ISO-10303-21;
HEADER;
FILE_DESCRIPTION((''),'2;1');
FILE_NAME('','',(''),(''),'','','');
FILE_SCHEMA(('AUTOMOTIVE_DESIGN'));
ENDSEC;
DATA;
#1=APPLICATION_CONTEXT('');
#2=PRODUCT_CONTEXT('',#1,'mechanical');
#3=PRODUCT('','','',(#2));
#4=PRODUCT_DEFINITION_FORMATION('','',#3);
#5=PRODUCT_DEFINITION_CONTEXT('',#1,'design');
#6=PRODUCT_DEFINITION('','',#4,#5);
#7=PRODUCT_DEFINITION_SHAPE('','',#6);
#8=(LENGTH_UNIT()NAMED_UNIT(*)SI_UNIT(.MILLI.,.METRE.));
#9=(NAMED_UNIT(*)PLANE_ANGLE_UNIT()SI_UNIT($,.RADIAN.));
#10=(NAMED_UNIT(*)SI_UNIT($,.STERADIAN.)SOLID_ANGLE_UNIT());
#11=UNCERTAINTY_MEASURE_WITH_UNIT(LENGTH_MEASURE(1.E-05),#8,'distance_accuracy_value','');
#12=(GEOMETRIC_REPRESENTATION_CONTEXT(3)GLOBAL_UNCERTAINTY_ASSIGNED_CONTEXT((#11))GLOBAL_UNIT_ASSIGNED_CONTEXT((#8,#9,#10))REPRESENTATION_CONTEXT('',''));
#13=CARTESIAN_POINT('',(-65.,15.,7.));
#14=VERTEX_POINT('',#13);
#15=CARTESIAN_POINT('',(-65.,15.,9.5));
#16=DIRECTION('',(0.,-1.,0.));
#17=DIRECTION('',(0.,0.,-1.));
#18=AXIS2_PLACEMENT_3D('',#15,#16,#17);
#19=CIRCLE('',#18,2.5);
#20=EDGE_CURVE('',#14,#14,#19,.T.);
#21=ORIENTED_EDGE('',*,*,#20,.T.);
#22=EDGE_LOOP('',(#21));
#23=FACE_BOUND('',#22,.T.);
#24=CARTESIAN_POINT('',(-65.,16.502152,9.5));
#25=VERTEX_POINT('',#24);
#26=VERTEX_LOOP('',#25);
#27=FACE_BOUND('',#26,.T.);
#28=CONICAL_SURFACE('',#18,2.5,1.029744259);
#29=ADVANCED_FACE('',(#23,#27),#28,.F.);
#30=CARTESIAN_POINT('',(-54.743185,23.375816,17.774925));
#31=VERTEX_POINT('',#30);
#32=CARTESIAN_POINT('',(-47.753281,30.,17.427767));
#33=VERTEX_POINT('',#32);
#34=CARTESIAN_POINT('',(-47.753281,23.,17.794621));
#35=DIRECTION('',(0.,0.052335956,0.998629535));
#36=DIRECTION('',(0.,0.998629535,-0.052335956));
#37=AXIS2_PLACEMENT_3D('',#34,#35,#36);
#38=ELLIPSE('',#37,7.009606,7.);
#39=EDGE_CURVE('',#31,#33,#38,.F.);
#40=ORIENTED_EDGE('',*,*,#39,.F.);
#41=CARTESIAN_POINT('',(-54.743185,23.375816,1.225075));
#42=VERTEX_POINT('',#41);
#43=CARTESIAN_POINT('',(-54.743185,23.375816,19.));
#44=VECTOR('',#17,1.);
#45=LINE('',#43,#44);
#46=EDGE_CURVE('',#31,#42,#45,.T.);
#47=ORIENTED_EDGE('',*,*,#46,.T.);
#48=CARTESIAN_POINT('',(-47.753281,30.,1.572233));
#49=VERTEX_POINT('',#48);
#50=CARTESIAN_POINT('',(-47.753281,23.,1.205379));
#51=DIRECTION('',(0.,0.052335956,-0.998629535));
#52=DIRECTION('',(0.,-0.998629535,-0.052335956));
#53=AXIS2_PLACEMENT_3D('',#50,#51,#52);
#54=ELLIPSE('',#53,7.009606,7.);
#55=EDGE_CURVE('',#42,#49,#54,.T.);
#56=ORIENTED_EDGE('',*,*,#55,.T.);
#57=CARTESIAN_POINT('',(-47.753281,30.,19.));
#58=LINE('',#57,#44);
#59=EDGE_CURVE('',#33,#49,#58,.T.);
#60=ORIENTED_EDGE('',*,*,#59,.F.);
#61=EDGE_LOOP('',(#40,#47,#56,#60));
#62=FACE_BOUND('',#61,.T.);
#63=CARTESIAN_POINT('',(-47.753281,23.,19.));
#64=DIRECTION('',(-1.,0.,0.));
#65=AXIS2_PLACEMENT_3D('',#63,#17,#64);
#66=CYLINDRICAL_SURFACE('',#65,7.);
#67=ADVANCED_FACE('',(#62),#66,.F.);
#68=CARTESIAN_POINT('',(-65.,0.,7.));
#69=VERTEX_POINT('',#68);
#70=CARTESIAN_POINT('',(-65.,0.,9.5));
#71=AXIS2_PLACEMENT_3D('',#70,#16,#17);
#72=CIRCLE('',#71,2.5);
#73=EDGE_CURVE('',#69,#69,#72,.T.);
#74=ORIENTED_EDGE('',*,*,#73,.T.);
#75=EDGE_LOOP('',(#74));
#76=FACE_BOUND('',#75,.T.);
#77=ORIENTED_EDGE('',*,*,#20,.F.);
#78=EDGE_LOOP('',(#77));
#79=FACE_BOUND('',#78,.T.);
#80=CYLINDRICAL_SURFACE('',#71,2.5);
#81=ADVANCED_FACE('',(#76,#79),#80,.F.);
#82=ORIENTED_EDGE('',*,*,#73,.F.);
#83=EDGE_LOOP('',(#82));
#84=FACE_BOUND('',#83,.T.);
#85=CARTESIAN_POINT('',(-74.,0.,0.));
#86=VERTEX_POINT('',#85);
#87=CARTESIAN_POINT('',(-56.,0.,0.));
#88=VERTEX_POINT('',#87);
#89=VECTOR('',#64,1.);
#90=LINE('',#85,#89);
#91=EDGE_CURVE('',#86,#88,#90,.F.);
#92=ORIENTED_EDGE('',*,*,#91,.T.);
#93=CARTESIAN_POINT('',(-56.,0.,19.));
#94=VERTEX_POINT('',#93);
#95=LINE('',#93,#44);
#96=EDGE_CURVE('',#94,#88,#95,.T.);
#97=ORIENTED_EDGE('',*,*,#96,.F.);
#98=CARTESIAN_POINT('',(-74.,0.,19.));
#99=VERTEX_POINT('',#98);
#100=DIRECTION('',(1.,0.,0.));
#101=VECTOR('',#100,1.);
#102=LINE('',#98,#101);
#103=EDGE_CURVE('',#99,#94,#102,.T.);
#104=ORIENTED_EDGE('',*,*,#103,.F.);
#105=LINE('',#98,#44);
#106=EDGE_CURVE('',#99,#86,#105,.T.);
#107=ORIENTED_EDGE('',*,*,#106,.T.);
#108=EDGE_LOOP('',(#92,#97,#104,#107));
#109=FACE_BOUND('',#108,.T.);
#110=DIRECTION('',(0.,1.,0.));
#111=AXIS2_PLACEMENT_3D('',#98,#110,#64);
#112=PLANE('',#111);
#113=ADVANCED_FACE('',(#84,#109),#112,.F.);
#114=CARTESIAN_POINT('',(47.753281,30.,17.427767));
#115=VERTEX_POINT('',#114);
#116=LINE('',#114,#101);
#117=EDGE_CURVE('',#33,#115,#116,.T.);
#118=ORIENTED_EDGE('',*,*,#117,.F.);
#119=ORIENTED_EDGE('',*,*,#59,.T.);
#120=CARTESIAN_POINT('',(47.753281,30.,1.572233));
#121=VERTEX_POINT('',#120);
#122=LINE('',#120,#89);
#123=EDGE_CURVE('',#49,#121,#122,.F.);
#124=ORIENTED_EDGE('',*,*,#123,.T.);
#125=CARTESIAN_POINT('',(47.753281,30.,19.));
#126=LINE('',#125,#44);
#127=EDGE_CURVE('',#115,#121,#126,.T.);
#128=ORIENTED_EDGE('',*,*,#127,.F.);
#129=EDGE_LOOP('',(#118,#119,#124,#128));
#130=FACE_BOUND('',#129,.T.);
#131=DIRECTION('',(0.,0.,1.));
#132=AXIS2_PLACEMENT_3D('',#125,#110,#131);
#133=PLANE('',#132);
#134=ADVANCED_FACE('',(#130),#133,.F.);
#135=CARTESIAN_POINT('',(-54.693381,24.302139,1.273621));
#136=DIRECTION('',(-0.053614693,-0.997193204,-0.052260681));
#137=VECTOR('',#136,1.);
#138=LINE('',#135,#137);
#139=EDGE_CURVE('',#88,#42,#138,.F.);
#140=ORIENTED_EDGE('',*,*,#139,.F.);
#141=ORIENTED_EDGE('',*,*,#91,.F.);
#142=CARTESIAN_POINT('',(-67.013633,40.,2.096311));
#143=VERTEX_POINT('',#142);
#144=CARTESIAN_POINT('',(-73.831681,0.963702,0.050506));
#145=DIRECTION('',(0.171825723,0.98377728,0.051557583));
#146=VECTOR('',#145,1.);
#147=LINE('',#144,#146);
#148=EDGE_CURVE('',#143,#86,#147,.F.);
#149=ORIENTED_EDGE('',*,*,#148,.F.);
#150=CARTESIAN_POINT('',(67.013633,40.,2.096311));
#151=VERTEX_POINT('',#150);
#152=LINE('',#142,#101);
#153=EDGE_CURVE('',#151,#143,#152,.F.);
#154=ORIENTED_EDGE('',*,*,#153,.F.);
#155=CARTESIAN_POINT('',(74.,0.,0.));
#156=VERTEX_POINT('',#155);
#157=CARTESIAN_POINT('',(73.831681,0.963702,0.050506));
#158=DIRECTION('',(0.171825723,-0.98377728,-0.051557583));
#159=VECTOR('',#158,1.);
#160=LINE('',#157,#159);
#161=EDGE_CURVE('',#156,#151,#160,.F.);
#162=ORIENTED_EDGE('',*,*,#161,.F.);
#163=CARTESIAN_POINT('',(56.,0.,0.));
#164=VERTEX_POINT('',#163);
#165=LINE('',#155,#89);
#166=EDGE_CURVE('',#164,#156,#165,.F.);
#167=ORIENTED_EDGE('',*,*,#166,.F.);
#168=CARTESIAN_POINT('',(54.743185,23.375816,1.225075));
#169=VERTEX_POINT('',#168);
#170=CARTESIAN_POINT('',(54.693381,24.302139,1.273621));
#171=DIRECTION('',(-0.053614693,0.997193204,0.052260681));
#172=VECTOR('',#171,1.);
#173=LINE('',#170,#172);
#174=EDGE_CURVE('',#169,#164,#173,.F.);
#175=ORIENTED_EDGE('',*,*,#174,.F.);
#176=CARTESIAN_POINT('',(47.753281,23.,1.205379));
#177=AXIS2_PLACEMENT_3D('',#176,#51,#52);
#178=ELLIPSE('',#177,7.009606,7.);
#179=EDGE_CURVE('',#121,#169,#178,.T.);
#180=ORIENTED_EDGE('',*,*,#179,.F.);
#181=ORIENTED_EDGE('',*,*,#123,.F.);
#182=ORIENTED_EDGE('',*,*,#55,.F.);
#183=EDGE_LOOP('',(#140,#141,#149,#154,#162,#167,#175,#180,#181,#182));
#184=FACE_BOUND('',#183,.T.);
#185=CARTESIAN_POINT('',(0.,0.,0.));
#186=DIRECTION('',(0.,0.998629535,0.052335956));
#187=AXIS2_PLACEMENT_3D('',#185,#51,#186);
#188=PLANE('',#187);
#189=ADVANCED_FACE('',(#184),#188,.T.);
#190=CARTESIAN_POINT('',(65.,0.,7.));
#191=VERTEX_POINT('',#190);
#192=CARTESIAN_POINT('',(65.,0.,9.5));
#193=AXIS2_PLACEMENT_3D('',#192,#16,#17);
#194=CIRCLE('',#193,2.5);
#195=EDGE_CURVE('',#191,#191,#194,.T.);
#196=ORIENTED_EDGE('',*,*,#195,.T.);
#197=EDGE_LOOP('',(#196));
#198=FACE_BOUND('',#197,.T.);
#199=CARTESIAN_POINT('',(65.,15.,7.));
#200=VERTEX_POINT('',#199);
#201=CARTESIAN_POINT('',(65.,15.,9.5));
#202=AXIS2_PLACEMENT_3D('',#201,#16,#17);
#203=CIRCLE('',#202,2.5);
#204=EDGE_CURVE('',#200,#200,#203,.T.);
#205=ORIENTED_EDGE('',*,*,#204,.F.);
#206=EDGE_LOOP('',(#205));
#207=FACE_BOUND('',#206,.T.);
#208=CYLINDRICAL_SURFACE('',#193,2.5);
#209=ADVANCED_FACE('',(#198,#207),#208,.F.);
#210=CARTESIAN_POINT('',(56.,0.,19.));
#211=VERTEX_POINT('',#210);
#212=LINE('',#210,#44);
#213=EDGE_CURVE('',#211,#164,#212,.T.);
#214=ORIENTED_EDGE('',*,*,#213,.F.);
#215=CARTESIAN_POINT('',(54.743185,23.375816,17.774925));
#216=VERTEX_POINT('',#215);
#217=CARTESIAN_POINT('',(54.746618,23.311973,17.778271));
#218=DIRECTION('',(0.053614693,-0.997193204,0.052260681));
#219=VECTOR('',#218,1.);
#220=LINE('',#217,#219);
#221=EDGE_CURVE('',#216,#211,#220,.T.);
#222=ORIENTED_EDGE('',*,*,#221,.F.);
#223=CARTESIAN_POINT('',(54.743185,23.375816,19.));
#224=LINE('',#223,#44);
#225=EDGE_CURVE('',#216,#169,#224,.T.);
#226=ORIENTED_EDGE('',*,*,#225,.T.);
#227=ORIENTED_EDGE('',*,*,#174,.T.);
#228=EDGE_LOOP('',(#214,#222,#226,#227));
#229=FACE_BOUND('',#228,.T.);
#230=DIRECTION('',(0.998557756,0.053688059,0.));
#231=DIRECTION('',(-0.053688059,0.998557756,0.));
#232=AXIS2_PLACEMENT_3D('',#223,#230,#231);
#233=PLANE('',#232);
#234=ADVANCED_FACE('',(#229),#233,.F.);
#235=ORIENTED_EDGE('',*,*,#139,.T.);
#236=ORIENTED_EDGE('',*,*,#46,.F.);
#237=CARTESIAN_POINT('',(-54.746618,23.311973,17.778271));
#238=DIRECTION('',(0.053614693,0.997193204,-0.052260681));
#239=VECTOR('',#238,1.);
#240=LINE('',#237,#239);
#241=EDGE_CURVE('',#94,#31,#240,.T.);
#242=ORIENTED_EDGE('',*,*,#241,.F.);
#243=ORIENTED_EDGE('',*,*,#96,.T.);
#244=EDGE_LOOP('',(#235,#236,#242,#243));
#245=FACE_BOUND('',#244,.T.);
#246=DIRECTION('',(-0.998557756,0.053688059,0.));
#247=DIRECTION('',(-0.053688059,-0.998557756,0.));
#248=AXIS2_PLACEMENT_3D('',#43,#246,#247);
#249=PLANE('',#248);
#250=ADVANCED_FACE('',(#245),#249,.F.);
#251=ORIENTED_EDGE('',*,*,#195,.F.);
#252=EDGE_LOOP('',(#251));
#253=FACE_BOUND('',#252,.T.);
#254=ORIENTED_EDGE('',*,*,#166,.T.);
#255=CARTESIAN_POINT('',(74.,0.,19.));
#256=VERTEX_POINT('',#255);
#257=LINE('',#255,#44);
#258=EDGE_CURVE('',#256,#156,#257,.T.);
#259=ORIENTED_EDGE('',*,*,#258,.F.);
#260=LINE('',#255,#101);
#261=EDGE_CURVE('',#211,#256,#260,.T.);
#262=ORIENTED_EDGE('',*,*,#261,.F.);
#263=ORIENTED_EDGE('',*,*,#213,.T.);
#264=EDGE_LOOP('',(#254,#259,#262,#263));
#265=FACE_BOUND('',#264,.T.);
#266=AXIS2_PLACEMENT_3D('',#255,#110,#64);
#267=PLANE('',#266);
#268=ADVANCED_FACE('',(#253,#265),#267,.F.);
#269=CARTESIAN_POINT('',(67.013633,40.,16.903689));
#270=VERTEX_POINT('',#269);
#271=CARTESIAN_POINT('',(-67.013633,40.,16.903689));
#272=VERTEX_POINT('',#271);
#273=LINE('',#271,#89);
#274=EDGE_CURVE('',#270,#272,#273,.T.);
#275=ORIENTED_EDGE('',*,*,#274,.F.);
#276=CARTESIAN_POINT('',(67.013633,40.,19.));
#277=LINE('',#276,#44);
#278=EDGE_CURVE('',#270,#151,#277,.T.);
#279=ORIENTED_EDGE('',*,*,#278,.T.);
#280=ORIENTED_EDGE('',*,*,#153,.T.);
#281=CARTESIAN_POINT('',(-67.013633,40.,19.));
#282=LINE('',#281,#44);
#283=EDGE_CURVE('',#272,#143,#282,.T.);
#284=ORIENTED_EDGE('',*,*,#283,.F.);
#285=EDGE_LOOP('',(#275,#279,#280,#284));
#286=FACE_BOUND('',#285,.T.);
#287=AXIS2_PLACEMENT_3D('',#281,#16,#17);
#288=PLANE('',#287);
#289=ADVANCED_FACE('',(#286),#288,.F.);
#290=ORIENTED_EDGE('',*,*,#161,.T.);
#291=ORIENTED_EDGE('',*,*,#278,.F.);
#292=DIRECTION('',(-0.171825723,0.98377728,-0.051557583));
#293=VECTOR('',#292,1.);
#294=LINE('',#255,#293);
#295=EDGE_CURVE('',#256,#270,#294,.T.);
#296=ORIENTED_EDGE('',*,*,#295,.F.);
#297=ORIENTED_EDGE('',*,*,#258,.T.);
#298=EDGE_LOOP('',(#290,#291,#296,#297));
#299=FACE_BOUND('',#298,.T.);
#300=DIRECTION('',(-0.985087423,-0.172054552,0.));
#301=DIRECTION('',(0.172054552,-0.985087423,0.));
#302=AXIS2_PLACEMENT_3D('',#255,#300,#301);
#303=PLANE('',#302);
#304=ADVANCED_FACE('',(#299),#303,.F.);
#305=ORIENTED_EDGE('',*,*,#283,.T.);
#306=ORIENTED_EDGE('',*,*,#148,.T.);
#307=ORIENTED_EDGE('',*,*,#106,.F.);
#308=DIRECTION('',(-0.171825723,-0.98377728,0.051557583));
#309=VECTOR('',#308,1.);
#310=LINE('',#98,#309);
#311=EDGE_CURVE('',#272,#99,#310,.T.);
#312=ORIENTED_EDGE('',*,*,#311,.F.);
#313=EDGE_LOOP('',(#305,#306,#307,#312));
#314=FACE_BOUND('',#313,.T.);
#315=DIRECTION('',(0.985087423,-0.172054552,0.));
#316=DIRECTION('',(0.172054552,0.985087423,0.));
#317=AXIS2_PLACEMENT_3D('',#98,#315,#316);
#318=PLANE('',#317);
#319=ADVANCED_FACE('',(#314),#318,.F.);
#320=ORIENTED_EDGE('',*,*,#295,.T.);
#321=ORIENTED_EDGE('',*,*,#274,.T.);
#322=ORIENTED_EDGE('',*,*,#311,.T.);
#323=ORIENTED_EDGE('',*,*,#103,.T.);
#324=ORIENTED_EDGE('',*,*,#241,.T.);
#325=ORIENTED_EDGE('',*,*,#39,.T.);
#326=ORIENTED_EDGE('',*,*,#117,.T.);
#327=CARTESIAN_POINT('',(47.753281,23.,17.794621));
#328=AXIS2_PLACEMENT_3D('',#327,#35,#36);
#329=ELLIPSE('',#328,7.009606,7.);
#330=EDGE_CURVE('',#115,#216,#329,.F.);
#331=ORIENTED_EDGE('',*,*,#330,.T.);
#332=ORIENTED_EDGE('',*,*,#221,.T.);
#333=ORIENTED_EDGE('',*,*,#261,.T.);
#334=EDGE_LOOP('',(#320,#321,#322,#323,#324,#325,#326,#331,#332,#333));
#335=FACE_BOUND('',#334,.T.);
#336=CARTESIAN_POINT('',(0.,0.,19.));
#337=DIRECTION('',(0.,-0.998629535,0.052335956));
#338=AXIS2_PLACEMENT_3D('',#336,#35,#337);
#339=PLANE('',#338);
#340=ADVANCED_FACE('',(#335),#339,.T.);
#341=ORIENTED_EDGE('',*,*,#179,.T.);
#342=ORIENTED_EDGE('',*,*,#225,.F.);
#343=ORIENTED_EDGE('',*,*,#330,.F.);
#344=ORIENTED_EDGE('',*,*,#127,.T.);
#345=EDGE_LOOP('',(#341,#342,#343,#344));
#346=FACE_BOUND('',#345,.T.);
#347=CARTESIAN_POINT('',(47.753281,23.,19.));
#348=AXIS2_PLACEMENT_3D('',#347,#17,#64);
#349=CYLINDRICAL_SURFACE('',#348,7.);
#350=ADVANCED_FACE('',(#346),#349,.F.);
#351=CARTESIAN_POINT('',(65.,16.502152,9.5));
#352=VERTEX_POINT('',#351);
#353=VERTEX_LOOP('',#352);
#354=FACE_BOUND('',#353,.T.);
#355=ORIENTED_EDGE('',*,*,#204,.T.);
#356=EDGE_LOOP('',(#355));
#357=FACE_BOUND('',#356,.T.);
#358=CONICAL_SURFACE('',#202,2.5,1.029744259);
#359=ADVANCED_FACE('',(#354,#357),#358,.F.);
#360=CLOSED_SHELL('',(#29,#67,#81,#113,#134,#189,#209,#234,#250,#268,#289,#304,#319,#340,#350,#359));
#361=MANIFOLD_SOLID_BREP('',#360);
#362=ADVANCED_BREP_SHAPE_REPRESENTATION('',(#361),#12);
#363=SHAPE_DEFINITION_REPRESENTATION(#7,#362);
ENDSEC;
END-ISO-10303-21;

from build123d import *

# Parameters (mm, degrees)
BOSS_EXTRUDE1_DEPTH = 19
DRAFT1_ANGLE        = 3


with BuildPart() as part:
    # Sketch1 → Boss-Extrude1 (new body)
    with BuildSketch(Plane.XY):
        with BuildLine():
            Line((-74, 0), (-67.013633203, 40))
            Line((-67.013633203, 40), (67.013633203, 40))
            Line((67.013633203, 40), (74, 0))
            Line((74, 0), (56, 0))
            Line((56, 0), (54.743185165, 23.37581641))
            ThreePointArc((54.743185165, 23.37581641), (52.568324233, 28.080881561), (47.753280872, 30))
            Line((47.753280872, 30), (-47.753280872, 30))
            ThreePointArc((-47.753280872, 30), (-52.568324233, 28.080881561), (-54.743185165, 23.37581641))
            Line((-54.743185165, 23.37581641), (-56, 0))
            Line((-56, 0), (-74, 0))
        make_face()
    extrude(amount=BOSS_EXTRUDE1_DEPTH)

    # Draft1
    draft1_faces = [part.faces().sort_by_distance(p)[0] for p in [
        (-68.996577663, 19.736222921, 0),
        (-68.996577663, 19.736222921, 19),
    ]]
    draft(draft1_faces, Plane.ZX, DRAFT1_ANGLE)

    # Sketch3 → M6x1.0 Tapped Hole1 (revolve, cut)
    with BuildSketch(Plane(origin=(-65, 0, 9.5), x_dir=(0, 0, -1), z_dir=(1, 0, 0))):
        Polygon((0, 0), (0, 16.502151548), (2.5, 15), (2.5, 0), align=None)
    m6x1_0_tapped_hole1 = revolve(axis=Axis((-65, -6.35, 9.5), (0, 1, 0)), mode=Mode.SUBTRACT)

    # Mirror1: M6x1.0 Tapped Hole1 across plane
    add(m6x1_0_tapped_hole1.mirror(Plane(origin=(0, 0, 0), x_dir=(0, 0, 1), z_dir=(1, 0, 0))), mode=Mode.SUBTRACT)


solid = part.part
